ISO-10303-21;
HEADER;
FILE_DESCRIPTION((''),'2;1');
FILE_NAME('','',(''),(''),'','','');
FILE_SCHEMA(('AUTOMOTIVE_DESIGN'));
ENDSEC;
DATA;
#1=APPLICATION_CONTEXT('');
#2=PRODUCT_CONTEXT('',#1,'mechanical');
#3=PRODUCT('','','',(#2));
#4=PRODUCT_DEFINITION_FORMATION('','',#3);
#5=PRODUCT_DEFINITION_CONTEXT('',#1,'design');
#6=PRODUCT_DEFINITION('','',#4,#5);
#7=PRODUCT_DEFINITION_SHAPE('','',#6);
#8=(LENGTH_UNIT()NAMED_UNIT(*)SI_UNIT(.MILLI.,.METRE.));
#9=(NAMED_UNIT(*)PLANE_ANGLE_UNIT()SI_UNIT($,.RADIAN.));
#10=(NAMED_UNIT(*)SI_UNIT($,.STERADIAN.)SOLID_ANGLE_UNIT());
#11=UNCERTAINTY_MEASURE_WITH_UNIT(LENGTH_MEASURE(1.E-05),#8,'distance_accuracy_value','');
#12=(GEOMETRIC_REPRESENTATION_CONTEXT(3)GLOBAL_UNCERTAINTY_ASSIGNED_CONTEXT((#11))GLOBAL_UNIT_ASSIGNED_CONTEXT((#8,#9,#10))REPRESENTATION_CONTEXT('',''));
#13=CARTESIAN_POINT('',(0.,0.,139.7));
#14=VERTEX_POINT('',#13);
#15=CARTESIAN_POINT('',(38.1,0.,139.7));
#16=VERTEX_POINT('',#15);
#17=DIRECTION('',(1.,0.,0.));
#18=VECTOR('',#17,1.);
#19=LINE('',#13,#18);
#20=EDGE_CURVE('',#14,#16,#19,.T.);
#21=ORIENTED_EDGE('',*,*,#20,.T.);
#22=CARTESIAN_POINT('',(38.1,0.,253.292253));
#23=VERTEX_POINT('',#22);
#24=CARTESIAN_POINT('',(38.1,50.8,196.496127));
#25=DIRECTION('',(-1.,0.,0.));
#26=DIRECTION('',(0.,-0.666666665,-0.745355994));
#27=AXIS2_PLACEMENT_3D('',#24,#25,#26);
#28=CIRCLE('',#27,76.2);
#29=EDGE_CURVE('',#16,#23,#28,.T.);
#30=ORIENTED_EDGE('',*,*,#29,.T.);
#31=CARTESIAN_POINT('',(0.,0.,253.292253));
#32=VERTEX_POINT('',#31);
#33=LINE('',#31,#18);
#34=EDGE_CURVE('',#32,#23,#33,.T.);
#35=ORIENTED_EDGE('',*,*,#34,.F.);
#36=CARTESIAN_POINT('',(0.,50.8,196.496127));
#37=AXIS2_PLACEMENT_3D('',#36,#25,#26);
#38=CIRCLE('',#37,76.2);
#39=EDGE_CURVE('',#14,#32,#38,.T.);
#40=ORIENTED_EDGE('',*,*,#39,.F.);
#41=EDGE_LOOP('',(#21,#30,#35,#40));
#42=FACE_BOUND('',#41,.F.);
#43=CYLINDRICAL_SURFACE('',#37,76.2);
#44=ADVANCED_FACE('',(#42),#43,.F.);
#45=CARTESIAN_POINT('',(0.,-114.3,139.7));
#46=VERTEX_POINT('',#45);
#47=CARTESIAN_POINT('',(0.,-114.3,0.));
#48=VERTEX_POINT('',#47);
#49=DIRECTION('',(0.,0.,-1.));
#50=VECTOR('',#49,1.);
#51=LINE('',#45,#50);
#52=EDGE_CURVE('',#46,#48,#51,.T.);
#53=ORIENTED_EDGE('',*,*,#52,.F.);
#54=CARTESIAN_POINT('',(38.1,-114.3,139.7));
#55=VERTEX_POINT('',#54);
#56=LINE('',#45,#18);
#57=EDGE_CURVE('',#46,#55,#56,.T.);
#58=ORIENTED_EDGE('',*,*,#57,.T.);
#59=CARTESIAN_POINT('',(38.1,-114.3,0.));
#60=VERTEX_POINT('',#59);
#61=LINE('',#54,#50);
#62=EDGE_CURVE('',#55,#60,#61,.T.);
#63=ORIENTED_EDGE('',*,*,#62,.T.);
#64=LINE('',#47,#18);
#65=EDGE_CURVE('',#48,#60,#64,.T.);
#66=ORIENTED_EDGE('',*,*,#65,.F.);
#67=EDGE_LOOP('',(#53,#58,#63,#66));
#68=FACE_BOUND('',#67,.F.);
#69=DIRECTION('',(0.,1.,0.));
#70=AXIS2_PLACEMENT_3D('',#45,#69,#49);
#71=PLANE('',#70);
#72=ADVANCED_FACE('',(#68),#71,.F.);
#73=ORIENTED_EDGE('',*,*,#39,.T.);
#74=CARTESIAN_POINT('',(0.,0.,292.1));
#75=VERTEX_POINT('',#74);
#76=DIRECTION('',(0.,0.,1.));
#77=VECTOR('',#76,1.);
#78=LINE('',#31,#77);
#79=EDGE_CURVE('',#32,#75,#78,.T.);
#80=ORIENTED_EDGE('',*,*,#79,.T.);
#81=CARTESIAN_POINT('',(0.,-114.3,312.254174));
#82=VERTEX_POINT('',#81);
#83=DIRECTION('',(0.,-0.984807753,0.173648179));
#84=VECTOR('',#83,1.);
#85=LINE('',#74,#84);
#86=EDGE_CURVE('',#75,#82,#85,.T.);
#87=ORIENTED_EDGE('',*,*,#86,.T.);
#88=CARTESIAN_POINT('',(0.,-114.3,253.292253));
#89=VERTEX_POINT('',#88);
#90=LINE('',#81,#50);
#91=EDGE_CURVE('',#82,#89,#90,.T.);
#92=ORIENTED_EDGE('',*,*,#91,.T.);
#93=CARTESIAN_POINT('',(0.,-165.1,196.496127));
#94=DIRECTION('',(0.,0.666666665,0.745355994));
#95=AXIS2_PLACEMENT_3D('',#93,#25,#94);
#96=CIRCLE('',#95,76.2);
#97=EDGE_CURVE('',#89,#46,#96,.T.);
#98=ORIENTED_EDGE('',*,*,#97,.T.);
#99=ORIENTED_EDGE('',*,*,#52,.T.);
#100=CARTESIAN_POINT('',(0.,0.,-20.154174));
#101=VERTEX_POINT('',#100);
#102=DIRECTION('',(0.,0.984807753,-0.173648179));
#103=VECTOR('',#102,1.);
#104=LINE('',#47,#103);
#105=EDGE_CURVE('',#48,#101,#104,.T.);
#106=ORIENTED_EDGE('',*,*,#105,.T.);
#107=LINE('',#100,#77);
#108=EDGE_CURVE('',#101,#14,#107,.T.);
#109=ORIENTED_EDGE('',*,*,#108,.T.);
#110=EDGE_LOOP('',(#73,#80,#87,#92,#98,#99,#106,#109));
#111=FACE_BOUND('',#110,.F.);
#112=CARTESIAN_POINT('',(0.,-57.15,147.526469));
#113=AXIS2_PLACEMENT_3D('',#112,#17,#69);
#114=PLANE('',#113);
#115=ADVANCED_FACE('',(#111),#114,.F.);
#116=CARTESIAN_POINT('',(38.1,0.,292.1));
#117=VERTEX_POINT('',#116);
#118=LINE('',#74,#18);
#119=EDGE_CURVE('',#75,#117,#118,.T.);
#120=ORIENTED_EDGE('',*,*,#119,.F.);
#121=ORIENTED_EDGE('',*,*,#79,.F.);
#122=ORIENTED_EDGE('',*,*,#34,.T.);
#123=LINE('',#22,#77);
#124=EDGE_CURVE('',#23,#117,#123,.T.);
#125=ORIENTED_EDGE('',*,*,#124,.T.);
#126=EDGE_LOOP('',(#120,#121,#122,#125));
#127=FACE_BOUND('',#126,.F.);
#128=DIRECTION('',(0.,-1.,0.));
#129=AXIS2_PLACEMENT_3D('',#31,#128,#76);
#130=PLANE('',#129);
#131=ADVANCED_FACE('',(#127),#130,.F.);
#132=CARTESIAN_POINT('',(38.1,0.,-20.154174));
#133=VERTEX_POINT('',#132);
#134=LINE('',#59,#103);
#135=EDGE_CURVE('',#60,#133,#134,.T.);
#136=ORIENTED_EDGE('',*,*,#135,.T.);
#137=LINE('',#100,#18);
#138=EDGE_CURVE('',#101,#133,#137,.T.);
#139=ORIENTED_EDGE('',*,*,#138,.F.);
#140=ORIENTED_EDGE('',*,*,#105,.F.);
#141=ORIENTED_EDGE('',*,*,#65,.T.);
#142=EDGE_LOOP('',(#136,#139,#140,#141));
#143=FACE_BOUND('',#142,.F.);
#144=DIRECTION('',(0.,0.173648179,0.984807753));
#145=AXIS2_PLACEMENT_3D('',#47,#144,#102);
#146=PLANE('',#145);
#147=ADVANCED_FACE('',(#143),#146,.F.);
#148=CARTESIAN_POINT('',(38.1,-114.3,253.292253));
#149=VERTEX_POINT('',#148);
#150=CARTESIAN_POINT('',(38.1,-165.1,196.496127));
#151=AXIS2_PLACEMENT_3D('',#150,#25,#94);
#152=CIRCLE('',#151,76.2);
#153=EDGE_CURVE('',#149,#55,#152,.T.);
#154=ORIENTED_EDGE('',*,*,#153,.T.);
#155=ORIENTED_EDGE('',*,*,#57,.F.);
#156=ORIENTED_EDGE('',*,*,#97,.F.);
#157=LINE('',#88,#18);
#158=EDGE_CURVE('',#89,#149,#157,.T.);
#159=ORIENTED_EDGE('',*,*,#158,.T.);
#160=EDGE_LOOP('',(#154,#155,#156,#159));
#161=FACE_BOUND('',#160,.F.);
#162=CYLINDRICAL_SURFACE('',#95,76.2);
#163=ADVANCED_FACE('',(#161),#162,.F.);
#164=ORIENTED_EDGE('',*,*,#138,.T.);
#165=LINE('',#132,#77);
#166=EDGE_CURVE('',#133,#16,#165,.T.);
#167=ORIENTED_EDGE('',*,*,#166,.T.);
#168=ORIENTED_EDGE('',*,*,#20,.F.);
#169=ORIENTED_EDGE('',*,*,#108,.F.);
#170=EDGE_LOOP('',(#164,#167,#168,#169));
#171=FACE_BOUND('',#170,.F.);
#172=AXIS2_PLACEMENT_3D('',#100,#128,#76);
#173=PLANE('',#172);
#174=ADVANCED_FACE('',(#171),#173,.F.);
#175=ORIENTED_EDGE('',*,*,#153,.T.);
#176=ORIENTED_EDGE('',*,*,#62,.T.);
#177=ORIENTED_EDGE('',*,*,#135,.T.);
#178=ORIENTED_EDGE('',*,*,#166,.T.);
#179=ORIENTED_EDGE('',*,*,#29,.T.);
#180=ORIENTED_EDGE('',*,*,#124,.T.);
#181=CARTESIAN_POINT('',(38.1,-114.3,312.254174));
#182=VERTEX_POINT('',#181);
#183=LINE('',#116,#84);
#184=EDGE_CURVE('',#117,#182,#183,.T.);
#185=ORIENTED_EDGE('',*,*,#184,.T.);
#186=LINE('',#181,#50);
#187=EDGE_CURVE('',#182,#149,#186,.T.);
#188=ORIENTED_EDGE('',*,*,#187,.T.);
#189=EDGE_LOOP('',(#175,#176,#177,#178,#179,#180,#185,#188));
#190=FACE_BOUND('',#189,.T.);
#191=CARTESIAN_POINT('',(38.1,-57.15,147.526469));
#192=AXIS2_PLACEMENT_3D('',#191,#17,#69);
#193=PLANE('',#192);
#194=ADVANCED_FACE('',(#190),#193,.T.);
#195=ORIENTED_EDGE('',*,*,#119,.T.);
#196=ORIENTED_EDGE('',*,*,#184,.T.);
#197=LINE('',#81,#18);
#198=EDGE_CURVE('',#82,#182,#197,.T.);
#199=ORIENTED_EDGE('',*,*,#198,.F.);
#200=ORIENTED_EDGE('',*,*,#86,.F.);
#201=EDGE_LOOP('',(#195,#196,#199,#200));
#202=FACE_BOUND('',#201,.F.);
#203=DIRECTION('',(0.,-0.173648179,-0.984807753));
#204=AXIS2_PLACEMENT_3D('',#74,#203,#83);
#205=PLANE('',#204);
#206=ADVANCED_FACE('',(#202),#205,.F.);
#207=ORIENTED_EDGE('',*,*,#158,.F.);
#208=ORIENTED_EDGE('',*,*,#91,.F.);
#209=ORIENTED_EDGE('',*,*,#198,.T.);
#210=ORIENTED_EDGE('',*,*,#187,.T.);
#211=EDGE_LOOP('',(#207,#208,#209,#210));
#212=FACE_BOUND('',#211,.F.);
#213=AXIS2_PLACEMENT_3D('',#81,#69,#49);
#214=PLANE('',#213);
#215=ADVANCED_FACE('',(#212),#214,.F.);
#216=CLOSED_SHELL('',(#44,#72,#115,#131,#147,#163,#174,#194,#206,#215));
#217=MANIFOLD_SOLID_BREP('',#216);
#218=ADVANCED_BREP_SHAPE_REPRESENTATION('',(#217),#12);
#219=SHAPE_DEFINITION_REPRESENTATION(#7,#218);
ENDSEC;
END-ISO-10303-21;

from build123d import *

# Parameters (mm, degrees)
F1_DEPTH = 38.1


with BuildPart() as f1:
    # F0 (on Right) → F1 (new body)
    with BuildSketch(Plane.YZ):
        with BuildLine():
            Line((-114.3, 0), (0, -20.154174))
            Line((0, -20.154174), (0, 139.7))
            ThreePointArc((0, 139.7), (-25.4, 196.496127), (0, 253.292253))
            Line((0, 253.292253), (0, 292.1))
            Line((0, 292.1), (-114.3, 312.254174))
            Line((-114.3, 312.254174), (-114.3, 253.292253))
            ThreePointArc((-114.3, 253.292253), (-88.9, 196.496127), (-114.3, 139.7))
            Line((-114.3, 139.7), (-114.3, 0))
        make_face()
    extrude(amount=F1_DEPTH)


solid = f1.part
